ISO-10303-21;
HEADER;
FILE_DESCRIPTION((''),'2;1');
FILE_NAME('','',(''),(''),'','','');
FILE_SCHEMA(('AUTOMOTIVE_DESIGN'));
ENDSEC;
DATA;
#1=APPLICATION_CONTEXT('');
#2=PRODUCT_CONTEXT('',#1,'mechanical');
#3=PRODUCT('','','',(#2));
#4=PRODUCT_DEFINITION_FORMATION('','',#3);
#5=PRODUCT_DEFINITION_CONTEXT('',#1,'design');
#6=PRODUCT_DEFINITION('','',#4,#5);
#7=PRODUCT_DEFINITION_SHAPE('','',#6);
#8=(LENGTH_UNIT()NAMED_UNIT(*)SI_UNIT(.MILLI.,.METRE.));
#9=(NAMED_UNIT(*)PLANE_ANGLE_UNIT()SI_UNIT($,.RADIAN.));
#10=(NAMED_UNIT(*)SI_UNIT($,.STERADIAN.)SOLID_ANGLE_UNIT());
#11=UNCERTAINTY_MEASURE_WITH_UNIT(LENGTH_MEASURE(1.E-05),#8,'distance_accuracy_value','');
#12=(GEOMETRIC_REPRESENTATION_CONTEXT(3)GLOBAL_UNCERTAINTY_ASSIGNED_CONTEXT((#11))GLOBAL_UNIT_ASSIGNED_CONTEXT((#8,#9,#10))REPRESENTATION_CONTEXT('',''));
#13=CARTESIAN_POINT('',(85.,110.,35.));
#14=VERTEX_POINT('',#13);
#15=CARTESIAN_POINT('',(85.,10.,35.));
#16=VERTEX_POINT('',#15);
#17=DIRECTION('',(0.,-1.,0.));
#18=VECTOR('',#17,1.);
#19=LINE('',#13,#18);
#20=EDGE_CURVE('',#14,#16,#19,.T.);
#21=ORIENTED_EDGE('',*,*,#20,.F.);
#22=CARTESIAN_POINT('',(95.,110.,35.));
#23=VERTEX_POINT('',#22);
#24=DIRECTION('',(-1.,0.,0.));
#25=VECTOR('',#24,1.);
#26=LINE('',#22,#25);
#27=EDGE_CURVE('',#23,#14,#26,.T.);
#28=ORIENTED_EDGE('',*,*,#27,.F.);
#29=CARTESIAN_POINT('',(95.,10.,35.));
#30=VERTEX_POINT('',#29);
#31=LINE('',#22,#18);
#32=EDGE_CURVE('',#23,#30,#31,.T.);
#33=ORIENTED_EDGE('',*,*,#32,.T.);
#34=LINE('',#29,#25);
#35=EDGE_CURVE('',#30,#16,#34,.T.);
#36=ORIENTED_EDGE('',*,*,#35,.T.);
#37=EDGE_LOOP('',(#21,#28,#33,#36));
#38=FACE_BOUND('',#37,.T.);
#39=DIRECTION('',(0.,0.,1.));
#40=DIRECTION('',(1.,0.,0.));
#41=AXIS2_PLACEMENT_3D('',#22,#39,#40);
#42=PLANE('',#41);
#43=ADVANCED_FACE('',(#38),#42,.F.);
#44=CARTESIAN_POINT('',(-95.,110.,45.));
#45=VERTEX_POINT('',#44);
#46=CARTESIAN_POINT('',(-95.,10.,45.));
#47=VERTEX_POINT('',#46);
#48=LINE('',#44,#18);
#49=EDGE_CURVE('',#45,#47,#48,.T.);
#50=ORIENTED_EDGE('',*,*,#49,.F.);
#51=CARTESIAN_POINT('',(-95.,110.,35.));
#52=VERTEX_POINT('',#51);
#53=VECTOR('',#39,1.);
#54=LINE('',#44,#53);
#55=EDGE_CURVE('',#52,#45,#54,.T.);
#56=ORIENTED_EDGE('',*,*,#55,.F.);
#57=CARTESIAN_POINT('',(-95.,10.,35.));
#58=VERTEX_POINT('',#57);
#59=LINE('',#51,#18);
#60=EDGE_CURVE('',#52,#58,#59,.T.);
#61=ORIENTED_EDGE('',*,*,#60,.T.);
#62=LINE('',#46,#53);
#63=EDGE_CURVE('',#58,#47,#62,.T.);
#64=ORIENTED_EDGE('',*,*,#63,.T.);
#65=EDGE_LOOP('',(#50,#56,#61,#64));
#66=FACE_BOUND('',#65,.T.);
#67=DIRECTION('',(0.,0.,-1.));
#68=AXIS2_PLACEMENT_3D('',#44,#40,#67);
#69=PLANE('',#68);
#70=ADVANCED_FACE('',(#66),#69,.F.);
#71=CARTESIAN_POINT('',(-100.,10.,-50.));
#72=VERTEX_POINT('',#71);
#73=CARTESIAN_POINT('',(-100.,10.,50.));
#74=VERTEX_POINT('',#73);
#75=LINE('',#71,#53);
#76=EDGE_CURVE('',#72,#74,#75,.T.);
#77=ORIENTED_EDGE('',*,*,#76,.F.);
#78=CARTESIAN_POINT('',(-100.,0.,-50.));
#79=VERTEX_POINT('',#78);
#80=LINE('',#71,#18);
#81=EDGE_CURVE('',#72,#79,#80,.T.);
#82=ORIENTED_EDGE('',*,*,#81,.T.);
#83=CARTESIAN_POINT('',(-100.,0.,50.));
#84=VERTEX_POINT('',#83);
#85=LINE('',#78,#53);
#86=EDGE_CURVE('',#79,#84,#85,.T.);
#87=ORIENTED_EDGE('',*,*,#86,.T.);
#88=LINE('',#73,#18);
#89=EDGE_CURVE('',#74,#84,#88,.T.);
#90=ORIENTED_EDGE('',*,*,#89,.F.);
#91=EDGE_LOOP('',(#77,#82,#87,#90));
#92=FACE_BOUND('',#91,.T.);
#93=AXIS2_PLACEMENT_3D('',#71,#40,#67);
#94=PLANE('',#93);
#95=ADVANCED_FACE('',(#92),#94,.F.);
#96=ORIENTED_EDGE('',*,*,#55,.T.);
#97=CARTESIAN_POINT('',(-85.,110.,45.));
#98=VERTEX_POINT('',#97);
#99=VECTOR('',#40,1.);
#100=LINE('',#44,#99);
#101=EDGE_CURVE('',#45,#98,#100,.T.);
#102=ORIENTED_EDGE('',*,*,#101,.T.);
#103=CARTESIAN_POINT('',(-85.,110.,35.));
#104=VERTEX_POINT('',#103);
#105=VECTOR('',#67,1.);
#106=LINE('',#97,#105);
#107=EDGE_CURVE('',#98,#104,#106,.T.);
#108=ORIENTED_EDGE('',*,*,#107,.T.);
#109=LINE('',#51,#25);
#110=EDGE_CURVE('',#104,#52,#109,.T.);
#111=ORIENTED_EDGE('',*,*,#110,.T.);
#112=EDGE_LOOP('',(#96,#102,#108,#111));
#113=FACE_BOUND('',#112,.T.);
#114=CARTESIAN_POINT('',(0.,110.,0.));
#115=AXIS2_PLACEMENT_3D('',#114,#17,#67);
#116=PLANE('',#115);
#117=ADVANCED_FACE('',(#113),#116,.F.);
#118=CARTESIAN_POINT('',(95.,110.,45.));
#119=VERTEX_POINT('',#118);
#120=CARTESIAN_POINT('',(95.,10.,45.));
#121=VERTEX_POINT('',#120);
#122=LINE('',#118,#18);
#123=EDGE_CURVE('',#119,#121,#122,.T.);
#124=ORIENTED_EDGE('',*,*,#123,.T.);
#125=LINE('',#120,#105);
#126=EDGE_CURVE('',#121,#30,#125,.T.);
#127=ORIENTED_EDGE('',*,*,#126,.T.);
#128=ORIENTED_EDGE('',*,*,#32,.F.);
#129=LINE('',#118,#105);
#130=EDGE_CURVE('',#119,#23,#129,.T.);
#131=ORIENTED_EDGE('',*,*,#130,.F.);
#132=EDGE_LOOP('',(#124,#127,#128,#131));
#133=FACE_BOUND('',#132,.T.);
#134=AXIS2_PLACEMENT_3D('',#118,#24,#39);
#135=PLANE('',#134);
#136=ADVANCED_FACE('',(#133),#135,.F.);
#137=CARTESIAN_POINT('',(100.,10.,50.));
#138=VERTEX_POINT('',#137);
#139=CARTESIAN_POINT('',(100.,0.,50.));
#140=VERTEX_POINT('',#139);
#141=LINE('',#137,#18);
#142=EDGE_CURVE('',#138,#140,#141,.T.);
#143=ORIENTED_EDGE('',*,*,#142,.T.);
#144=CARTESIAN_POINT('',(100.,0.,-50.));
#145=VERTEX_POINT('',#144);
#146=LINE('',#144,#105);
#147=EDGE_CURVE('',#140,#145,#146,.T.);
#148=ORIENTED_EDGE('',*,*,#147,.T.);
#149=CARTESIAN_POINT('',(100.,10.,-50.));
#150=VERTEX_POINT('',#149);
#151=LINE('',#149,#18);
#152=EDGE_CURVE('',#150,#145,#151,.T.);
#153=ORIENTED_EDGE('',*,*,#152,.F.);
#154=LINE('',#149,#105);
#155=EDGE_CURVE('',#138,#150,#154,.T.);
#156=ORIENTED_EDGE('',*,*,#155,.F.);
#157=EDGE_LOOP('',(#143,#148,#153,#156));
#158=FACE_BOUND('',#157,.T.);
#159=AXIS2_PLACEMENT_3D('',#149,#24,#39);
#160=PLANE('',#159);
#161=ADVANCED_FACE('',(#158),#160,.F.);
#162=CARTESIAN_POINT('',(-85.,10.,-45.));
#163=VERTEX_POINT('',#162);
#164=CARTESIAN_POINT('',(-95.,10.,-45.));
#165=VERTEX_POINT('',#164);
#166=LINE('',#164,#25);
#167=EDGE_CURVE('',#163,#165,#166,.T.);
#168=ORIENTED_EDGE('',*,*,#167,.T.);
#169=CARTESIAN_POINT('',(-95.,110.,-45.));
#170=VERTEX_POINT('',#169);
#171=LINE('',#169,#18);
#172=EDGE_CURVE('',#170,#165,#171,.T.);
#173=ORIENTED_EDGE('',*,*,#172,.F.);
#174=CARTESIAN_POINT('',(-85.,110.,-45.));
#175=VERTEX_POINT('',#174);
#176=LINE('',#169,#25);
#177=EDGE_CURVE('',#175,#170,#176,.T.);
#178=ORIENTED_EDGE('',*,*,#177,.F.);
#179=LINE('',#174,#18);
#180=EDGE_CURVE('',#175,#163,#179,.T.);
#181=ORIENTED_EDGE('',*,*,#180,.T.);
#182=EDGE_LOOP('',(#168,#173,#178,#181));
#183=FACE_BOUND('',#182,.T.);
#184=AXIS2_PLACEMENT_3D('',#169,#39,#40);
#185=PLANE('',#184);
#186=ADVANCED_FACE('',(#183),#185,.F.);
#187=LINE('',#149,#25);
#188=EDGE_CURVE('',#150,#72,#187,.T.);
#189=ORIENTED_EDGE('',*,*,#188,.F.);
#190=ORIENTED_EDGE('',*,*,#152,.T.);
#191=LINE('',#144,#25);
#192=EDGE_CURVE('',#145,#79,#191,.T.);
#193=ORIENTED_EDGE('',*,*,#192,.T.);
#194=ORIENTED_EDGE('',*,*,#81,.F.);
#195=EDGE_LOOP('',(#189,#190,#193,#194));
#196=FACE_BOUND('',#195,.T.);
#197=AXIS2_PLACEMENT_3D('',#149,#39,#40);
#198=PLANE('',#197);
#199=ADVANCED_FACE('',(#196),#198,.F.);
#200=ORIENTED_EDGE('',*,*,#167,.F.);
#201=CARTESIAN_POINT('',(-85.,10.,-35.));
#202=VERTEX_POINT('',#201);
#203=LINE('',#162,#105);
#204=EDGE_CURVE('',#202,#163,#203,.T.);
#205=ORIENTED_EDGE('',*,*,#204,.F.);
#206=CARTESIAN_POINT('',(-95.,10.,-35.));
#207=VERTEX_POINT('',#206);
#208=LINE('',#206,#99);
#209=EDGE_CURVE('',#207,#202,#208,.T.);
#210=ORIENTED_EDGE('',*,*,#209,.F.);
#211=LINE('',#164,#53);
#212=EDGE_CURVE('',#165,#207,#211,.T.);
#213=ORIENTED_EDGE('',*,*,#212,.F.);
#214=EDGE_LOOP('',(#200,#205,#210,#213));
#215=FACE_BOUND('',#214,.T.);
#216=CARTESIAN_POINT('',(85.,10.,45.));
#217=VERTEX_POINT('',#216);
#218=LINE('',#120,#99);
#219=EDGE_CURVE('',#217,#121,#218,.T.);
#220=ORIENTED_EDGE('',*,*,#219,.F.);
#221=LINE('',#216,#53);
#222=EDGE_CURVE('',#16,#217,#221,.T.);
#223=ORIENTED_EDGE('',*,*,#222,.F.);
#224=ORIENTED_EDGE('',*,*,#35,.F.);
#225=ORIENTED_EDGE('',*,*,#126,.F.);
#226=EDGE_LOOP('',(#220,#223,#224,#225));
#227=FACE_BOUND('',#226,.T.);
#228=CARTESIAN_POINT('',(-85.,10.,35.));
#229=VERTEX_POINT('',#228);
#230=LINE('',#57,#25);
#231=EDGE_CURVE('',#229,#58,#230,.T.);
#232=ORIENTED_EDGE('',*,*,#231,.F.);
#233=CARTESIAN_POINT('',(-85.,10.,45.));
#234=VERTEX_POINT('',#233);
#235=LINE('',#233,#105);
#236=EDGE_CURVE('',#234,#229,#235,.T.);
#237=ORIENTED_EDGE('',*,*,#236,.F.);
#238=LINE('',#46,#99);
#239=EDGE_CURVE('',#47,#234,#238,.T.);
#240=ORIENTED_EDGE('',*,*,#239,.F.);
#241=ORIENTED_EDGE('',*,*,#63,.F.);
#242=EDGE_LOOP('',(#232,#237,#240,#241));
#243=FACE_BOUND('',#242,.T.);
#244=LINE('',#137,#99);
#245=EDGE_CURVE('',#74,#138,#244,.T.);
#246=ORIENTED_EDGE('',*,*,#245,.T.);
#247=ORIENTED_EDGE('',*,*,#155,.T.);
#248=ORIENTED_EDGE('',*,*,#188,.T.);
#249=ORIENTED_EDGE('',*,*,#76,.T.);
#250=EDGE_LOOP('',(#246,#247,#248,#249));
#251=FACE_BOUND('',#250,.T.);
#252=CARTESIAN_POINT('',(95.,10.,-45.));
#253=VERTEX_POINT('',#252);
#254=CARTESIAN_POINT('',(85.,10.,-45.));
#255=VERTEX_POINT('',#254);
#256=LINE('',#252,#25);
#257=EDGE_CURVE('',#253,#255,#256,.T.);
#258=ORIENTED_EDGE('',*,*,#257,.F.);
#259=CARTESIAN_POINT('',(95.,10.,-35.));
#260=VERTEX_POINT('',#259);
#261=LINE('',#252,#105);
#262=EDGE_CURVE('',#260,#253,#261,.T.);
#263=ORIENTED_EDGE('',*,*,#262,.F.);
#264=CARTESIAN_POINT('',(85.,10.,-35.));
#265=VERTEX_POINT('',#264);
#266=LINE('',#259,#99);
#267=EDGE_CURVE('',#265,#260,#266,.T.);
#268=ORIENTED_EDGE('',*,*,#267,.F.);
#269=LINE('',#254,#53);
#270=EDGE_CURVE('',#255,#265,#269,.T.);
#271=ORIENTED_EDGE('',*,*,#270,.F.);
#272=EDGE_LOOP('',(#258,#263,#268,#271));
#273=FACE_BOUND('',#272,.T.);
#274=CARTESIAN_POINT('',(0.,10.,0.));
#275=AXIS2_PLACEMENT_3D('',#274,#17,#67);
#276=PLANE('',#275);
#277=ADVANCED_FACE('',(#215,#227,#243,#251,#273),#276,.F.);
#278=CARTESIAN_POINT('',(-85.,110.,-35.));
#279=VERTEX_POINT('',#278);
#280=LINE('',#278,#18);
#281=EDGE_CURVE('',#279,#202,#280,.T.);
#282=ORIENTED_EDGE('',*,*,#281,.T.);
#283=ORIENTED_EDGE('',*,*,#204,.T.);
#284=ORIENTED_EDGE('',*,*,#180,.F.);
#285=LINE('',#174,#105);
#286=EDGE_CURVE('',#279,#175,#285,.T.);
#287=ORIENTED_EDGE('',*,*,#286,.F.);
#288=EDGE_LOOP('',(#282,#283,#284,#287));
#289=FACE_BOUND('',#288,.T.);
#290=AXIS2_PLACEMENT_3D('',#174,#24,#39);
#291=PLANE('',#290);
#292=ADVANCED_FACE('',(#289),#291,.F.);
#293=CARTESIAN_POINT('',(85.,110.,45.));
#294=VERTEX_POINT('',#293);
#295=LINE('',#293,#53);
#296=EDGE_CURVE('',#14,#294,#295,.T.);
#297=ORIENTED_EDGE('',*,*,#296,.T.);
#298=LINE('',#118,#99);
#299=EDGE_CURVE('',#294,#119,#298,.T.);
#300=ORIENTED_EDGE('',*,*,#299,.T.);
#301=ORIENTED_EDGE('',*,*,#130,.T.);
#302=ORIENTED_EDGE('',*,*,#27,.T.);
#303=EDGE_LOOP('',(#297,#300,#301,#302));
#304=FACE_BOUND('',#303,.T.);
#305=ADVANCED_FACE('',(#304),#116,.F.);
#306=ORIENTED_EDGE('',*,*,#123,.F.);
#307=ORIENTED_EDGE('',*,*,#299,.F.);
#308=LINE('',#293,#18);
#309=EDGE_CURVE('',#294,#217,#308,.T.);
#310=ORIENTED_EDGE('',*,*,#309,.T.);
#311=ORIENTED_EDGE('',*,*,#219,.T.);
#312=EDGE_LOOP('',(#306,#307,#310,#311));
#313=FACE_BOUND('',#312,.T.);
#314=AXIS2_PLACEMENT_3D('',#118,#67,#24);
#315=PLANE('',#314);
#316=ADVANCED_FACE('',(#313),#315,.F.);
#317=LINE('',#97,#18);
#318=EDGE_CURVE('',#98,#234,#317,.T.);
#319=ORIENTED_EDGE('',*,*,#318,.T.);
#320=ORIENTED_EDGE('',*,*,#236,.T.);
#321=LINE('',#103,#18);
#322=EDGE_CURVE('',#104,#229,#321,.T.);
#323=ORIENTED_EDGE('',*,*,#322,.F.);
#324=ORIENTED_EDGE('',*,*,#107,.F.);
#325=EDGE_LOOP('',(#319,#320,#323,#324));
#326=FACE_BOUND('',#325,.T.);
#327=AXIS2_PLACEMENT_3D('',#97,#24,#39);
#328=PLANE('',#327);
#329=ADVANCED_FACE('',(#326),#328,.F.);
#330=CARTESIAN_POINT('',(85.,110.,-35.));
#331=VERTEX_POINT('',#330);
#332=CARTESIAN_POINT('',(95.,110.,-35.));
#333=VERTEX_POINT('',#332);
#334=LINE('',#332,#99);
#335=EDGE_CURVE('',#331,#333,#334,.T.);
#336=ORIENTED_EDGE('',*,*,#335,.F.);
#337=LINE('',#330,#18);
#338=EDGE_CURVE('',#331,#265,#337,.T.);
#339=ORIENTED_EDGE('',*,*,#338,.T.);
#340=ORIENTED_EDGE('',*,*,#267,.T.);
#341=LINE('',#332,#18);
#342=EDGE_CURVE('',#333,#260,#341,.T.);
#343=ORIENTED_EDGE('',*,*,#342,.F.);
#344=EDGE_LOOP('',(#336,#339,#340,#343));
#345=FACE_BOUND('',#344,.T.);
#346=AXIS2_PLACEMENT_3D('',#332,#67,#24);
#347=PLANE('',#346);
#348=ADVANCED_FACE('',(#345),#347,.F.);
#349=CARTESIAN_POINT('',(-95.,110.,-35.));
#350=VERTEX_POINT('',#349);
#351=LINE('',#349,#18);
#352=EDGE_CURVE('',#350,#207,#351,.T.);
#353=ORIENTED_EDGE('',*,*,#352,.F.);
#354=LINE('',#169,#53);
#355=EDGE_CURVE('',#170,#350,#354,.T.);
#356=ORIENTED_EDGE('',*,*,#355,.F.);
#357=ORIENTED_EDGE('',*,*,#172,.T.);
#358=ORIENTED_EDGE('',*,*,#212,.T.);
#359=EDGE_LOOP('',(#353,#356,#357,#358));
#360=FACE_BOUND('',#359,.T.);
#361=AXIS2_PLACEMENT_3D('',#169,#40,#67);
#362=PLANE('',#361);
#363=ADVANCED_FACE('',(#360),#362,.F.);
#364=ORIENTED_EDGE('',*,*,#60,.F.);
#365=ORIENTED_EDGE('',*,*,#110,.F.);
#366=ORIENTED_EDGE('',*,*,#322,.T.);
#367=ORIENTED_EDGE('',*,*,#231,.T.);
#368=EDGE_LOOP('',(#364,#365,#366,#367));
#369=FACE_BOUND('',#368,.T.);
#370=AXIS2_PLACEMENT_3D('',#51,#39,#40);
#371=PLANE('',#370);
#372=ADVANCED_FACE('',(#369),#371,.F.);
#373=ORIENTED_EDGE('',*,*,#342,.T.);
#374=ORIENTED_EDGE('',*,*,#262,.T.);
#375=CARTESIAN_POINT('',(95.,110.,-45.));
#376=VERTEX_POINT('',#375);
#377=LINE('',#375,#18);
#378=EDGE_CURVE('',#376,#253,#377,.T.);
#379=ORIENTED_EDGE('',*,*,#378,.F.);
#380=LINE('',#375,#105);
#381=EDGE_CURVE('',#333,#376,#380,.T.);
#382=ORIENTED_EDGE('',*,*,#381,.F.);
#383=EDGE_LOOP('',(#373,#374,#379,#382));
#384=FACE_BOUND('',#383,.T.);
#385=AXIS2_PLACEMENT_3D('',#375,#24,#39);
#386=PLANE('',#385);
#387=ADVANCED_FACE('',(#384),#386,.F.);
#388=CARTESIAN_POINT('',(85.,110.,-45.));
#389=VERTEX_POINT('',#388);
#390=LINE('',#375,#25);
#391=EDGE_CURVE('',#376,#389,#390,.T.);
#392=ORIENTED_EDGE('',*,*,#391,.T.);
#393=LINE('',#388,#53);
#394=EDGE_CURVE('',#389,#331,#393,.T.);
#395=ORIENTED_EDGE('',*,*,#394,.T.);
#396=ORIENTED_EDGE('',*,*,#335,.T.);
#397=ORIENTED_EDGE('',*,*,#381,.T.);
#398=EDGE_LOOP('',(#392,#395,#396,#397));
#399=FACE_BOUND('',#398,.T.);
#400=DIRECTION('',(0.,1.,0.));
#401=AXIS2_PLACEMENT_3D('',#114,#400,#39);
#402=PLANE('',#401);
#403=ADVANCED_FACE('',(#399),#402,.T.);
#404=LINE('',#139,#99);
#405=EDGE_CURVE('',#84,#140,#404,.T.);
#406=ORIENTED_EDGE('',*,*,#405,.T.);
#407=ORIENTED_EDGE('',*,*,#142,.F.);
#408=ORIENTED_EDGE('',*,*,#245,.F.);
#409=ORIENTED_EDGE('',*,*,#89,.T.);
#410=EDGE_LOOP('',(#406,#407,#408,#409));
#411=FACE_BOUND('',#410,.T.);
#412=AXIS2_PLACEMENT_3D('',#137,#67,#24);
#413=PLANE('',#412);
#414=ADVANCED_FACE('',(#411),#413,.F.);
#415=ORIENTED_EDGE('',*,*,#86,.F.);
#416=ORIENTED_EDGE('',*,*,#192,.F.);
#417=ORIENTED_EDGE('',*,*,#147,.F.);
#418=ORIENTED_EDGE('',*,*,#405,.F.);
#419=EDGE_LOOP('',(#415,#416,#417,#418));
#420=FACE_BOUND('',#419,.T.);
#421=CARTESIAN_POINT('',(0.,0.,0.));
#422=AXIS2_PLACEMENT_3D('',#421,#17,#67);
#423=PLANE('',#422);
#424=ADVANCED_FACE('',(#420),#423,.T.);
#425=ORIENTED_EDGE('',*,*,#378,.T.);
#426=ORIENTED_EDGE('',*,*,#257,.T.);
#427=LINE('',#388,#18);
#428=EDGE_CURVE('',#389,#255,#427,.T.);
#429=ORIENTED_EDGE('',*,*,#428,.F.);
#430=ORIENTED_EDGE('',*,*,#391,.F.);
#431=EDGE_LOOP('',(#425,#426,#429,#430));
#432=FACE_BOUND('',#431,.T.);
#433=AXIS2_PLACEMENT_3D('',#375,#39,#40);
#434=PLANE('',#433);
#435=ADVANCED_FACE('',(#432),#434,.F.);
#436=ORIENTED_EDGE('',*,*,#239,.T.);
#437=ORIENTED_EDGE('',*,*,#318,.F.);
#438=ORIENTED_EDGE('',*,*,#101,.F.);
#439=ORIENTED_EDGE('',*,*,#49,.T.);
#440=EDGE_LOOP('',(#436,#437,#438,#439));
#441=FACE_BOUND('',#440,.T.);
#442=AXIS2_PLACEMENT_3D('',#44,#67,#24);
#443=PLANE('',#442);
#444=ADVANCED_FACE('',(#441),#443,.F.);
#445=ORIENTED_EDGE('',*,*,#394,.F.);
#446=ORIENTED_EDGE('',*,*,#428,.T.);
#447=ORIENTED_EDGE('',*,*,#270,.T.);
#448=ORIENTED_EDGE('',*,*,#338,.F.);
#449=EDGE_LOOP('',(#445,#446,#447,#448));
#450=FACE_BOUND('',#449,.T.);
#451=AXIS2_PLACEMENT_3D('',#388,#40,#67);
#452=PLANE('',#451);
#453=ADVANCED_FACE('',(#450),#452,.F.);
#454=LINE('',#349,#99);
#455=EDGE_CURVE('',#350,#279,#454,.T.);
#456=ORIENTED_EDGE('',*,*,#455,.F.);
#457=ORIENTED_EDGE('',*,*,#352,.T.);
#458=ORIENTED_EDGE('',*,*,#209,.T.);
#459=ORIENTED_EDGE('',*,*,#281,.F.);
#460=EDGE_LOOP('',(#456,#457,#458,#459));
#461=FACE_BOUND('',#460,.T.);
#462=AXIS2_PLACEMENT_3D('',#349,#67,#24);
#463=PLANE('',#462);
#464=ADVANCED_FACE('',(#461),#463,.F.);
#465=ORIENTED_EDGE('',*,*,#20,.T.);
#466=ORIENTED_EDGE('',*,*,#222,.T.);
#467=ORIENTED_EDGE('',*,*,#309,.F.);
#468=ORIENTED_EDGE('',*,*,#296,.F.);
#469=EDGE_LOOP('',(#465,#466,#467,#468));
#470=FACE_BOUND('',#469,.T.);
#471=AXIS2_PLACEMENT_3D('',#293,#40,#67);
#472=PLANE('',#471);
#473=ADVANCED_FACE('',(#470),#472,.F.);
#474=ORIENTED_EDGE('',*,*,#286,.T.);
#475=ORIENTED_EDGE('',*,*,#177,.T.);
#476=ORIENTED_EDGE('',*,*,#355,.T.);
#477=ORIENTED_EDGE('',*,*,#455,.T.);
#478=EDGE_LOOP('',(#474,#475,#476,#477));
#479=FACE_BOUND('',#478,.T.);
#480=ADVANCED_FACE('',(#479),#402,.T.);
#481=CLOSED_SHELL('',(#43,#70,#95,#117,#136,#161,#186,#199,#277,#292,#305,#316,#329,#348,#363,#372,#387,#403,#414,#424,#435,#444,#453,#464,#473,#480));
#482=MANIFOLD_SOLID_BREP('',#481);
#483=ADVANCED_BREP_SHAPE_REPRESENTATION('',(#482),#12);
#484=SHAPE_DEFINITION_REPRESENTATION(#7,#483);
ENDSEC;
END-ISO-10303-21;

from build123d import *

# Parameters (mm, degrees)
SKETCH1_W           = 200
SKETCH1_H           = 100
BOSS_EXTRUDE1_DEPTH = 10
SKETCH2_W           = 10
SKETCH2_H           = 10
BOSS_EXTRUDE2_DEPTH = 100


with BuildPart() as part:
    # Sketch1 → Boss-Extrude1 (new body)
    with BuildSketch(Plane(origin=(0, 0, 0), x_dir=(1, 0, 0), z_dir=(0, 1, 0))):
        Rectangle(SKETCH1_W, SKETCH1_H)
    extrude(amount=BOSS_EXTRUDE1_DEPTH)

    # Sketch2 → Boss-Extrude2 (add)
    with BuildSketch(Plane(origin=(0, 10, 0), x_dir=(1, 0, 0), z_dir=(0, 1, 0))):
        with Locations((-90, 40)):
            Rectangle(SKETCH2_W, SKETCH2_H)
        with Locations((90, 40)):
            Rectangle(SKETCH2_W, SKETCH2_H)
        with Locations((90, -40)):
            Rectangle(SKETCH2_W, SKETCH2_H)
        with Locations((-90, -40)):
            Rectangle(SKETCH2_W, SKETCH2_H)
    extrude(amount=BOSS_EXTRUDE2_DEPTH)


solid = part.part
